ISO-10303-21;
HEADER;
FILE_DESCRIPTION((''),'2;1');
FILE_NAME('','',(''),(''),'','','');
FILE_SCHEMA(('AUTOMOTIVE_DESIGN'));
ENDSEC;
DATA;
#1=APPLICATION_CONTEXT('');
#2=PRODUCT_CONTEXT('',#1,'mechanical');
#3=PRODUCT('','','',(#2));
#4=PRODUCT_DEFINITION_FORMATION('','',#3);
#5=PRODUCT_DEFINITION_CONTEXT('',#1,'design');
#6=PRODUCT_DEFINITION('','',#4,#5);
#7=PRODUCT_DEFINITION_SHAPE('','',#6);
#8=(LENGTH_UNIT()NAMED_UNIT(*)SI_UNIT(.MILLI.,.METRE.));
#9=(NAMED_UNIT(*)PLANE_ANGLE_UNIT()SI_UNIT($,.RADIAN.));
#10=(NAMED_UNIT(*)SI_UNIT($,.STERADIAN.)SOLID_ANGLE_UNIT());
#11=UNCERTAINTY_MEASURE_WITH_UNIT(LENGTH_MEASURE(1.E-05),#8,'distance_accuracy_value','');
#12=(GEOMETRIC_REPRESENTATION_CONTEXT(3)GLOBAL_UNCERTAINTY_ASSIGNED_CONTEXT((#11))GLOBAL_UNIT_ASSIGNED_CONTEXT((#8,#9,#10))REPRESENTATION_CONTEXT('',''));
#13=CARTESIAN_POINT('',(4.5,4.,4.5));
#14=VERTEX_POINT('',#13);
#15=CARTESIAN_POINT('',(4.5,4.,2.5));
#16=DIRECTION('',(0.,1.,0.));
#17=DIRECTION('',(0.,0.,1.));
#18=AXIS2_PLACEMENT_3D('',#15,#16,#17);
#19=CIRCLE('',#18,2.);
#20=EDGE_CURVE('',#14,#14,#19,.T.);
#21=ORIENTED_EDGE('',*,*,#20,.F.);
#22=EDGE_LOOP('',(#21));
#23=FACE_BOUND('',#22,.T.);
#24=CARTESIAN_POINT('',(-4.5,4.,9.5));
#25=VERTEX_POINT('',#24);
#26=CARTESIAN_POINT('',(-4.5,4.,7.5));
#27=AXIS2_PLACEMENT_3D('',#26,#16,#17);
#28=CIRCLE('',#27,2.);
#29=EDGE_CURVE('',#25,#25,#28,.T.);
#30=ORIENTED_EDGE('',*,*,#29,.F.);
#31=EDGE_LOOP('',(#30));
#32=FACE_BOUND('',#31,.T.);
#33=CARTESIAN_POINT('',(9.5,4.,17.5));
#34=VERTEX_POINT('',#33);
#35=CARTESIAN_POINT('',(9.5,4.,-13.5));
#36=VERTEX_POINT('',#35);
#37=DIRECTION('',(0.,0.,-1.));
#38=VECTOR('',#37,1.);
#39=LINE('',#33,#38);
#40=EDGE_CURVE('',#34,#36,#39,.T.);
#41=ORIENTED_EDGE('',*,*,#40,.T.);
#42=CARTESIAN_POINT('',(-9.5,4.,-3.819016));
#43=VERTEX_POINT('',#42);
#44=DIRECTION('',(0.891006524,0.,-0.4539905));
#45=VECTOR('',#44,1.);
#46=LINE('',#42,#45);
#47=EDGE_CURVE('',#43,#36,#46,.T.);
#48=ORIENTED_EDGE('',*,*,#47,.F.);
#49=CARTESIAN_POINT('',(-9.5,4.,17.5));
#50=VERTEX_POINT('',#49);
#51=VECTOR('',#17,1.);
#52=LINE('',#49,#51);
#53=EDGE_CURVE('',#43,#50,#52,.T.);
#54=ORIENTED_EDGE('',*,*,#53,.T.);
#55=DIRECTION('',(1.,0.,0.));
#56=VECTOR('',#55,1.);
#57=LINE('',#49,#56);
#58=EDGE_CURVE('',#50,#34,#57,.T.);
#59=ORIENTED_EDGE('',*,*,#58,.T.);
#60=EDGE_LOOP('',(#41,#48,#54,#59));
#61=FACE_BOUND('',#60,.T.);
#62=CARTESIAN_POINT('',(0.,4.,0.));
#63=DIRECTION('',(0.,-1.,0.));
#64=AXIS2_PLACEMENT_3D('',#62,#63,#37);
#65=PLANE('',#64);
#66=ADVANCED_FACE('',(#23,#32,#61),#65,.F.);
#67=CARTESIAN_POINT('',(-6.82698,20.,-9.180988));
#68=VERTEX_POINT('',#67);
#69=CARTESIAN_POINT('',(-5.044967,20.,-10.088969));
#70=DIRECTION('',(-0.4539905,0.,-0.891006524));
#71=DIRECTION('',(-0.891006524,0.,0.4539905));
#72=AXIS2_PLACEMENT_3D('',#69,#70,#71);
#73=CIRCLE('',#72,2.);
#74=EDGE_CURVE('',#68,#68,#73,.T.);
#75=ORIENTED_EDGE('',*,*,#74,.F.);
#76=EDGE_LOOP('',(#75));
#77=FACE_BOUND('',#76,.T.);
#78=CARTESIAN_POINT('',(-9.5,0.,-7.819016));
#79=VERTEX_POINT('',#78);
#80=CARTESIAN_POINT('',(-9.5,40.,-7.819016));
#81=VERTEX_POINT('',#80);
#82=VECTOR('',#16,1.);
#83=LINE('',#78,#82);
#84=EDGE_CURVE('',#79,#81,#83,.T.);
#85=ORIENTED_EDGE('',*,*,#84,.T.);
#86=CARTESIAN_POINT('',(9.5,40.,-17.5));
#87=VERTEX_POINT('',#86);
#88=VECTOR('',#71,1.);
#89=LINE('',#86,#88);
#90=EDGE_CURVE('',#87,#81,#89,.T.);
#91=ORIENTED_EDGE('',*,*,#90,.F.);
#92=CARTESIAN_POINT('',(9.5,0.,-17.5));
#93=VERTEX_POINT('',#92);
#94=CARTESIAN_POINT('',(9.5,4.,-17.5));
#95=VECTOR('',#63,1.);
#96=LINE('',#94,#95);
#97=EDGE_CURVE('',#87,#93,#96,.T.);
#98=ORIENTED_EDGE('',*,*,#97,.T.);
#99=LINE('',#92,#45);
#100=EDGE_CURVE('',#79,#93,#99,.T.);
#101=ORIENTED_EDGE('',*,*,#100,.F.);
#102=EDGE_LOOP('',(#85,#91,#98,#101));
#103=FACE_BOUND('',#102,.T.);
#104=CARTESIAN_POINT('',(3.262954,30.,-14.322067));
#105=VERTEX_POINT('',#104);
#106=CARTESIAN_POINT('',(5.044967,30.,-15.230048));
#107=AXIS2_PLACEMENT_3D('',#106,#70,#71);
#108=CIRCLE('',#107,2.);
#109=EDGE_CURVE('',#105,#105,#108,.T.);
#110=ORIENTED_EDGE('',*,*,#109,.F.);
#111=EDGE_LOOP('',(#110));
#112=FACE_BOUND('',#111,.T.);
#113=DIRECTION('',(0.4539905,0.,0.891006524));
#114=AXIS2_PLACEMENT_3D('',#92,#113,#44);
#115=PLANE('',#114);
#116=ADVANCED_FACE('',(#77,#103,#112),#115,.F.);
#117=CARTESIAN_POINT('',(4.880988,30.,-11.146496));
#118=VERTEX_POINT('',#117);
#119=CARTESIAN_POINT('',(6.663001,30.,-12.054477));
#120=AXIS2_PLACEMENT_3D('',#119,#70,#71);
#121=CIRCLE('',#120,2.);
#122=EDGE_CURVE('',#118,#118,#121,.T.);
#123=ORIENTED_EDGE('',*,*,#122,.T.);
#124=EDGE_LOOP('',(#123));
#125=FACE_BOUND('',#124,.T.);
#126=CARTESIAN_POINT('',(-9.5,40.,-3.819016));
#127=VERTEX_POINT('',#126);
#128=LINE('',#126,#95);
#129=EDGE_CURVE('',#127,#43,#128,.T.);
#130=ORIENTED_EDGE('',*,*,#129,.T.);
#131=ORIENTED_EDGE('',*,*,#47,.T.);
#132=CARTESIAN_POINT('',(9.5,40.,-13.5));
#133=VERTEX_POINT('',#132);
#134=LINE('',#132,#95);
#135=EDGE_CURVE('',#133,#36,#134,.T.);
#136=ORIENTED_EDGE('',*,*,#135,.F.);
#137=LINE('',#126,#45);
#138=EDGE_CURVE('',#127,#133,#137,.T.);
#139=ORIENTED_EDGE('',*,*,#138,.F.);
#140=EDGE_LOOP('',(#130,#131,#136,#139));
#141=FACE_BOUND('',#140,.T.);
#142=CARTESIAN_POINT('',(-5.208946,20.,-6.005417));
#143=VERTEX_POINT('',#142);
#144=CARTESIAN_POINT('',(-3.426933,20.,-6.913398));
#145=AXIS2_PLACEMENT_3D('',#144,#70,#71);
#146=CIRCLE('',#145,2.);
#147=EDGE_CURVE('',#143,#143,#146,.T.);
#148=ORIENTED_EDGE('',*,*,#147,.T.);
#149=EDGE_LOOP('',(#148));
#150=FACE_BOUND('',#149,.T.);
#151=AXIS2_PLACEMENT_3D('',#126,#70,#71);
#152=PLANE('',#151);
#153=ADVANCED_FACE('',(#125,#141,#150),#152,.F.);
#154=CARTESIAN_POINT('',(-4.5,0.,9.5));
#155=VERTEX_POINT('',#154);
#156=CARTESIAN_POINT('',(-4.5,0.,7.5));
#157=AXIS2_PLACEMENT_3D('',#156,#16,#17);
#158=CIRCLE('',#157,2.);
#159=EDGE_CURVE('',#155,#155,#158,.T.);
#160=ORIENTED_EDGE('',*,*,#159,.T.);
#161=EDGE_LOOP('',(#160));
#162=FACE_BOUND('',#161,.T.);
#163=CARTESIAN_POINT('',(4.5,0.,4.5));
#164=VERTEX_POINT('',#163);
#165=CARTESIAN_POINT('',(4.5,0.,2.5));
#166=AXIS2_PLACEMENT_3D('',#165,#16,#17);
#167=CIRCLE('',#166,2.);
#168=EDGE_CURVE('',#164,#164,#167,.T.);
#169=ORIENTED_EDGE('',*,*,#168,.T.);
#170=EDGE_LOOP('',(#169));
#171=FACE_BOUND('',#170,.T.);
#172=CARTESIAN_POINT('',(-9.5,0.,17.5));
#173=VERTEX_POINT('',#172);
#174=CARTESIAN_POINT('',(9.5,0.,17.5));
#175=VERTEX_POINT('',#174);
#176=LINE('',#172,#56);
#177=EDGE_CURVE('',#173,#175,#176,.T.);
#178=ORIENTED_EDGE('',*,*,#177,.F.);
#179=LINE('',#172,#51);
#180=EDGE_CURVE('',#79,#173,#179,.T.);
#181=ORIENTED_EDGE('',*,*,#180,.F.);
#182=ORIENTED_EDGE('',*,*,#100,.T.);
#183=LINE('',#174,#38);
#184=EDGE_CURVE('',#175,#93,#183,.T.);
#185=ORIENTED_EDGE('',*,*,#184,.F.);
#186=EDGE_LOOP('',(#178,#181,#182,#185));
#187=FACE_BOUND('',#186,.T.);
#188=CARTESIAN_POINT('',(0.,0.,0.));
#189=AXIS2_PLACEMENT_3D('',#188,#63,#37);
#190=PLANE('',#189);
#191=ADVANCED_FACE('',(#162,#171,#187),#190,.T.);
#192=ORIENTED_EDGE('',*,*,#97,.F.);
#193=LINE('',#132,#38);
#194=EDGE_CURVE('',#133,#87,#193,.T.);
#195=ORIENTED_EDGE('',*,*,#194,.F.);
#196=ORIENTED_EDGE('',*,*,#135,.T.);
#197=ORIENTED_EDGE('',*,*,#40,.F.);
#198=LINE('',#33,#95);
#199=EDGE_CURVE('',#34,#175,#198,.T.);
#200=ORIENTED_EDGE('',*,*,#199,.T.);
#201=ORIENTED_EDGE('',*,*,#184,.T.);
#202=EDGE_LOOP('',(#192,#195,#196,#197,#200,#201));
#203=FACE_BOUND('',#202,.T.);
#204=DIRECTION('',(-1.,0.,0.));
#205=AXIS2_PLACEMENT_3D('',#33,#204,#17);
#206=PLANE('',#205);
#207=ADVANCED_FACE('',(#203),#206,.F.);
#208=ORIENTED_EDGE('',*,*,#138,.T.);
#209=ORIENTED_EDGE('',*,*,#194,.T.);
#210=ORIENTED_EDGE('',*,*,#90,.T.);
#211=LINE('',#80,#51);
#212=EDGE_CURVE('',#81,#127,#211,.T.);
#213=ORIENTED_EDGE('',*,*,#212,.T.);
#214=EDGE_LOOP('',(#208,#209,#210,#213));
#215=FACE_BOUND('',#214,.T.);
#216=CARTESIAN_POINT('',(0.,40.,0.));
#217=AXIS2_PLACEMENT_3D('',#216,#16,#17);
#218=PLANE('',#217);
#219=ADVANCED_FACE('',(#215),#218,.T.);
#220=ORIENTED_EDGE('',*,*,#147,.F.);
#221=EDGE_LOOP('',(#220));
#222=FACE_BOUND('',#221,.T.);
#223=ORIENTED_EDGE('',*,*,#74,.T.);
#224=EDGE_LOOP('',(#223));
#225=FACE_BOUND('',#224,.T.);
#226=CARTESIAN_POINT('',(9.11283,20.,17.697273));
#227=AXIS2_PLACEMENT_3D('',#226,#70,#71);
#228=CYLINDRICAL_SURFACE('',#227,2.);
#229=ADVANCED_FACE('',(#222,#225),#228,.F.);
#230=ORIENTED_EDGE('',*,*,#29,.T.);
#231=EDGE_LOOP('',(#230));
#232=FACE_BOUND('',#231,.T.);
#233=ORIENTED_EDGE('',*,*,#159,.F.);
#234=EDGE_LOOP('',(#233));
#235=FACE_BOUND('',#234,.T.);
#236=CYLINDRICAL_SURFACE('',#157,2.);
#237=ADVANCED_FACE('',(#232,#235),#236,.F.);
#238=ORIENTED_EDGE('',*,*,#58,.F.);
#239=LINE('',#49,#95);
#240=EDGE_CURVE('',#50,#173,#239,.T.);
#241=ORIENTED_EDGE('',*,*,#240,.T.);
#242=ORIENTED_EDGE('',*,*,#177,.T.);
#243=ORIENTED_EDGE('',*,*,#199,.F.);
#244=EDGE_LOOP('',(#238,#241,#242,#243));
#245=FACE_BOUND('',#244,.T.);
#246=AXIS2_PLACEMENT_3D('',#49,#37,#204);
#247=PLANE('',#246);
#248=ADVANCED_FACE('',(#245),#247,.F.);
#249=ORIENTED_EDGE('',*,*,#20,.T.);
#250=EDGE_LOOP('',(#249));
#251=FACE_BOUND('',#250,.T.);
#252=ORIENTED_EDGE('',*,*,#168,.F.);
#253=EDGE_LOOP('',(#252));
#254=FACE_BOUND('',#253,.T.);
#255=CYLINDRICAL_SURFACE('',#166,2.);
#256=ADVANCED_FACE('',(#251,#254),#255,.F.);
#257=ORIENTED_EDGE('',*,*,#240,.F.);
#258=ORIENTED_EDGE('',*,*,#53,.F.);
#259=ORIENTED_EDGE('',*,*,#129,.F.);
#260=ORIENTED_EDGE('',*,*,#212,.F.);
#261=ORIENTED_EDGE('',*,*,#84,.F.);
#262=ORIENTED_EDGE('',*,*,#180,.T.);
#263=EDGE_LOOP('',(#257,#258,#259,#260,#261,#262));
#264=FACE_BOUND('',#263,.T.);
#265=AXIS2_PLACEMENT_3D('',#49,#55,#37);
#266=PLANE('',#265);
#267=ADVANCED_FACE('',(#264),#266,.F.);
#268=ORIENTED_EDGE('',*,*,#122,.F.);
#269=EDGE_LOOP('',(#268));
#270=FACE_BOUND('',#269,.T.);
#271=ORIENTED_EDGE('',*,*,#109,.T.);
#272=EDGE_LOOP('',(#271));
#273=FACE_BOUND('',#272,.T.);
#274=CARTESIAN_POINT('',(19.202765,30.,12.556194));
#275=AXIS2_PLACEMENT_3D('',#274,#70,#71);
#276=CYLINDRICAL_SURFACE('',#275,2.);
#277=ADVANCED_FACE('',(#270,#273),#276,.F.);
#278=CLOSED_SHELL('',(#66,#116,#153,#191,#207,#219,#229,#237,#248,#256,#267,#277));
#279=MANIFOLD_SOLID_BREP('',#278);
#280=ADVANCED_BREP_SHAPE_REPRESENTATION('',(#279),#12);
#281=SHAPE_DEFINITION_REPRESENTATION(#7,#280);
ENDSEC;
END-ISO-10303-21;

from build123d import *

# Parameters (mm, degrees)
SKETCH1_W           = 19
SKETCH1_H           = 35
BOSS_EXTRUDE1_DEPTH = 4
CUT_EXTRUDE1_DEPTH  = 21.310096012
BOSS_EXTRUDE2_DEPTH = 36
SKETCH4_R           = 2
CUT_EXTRUDE2_DEPTH  = 51.72266342
SKETCH5_R           = 2
CUT_EXTRUDE3_DEPTH  = 42.140004861


with BuildPart() as part:
    # Sketch1 → Boss-Extrude1 (new body)
    with BuildSketch(Plane(origin=(0, 0, 0), x_dir=(1, 0, 0), z_dir=(0, 1, 0))):
        Rectangle(SKETCH1_W, SKETCH1_H)
    extrude(amount=BOSS_EXTRUDE1_DEPTH)

    # Sketch2 → Cut-Extrude1 (cut, through all)
    with BuildSketch(Plane(origin=(0, 4, 0), x_dir=(1, 0, 0), z_dir=(0, 1, 0))):
        Polygon((9.5, 17.5), (-9.5, 7.81901646), (-9.5, 17.5), align=None)
    extrude(amount=-CUT_EXTRUDE1_DEPTH, mode=Mode.SUBTRACT)

    # Sketch3 → Boss-Extrude2 (add)
    with BuildSketch(Plane(origin=(0, 4, 0), x_dir=(1, 0, 0), z_dir=(0, 1, 0))):
        Polygon((9.5, 17.5), (-9.5, 7.81901646), (-9.5, 3.81901646), (9.5, 13.5), align=None)
    extrude(amount=BOSS_EXTRUDE2_DEPTH)

    # Sketch4 → Cut-Extrude2 (cut, through all)
    with BuildSketch(Plane(origin=(-5.120878649, 0, -10.050290234), x_dir=(-0.8910065241883689, 0, 0.45399049973954486), z_dir=(-0.4539904997395449, 0, -0.891006524188369))):
        with Locations((-11.409395725, 30)):
            Circle(SKETCH4_R)
        with Locations((-0.08519721, 20)):
            Circle(SKETCH4_R)
    extrude(amount=-CUT_EXTRUDE2_DEPTH, mode=Mode.SUBTRACT)

    # Sketch5 → Cut-Extrude3 (cut, through all)
    with BuildSketch(Plane(origin=(0, 4, 0), x_dir=(1, 0, 0), z_dir=(0, 1, 0))):
        with Locations(Location((-4.5, -7.5, 0), (0, 0, 270))):
            Circle(SKETCH5_R)
        with Locations(Location((4.5, -2.5, 0), (0, 0, 270))):
            Circle(SKETCH5_R)
    extrude(amount=-CUT_EXTRUDE3_DEPTH, mode=Mode.SUBTRACT)


solid = part.part
